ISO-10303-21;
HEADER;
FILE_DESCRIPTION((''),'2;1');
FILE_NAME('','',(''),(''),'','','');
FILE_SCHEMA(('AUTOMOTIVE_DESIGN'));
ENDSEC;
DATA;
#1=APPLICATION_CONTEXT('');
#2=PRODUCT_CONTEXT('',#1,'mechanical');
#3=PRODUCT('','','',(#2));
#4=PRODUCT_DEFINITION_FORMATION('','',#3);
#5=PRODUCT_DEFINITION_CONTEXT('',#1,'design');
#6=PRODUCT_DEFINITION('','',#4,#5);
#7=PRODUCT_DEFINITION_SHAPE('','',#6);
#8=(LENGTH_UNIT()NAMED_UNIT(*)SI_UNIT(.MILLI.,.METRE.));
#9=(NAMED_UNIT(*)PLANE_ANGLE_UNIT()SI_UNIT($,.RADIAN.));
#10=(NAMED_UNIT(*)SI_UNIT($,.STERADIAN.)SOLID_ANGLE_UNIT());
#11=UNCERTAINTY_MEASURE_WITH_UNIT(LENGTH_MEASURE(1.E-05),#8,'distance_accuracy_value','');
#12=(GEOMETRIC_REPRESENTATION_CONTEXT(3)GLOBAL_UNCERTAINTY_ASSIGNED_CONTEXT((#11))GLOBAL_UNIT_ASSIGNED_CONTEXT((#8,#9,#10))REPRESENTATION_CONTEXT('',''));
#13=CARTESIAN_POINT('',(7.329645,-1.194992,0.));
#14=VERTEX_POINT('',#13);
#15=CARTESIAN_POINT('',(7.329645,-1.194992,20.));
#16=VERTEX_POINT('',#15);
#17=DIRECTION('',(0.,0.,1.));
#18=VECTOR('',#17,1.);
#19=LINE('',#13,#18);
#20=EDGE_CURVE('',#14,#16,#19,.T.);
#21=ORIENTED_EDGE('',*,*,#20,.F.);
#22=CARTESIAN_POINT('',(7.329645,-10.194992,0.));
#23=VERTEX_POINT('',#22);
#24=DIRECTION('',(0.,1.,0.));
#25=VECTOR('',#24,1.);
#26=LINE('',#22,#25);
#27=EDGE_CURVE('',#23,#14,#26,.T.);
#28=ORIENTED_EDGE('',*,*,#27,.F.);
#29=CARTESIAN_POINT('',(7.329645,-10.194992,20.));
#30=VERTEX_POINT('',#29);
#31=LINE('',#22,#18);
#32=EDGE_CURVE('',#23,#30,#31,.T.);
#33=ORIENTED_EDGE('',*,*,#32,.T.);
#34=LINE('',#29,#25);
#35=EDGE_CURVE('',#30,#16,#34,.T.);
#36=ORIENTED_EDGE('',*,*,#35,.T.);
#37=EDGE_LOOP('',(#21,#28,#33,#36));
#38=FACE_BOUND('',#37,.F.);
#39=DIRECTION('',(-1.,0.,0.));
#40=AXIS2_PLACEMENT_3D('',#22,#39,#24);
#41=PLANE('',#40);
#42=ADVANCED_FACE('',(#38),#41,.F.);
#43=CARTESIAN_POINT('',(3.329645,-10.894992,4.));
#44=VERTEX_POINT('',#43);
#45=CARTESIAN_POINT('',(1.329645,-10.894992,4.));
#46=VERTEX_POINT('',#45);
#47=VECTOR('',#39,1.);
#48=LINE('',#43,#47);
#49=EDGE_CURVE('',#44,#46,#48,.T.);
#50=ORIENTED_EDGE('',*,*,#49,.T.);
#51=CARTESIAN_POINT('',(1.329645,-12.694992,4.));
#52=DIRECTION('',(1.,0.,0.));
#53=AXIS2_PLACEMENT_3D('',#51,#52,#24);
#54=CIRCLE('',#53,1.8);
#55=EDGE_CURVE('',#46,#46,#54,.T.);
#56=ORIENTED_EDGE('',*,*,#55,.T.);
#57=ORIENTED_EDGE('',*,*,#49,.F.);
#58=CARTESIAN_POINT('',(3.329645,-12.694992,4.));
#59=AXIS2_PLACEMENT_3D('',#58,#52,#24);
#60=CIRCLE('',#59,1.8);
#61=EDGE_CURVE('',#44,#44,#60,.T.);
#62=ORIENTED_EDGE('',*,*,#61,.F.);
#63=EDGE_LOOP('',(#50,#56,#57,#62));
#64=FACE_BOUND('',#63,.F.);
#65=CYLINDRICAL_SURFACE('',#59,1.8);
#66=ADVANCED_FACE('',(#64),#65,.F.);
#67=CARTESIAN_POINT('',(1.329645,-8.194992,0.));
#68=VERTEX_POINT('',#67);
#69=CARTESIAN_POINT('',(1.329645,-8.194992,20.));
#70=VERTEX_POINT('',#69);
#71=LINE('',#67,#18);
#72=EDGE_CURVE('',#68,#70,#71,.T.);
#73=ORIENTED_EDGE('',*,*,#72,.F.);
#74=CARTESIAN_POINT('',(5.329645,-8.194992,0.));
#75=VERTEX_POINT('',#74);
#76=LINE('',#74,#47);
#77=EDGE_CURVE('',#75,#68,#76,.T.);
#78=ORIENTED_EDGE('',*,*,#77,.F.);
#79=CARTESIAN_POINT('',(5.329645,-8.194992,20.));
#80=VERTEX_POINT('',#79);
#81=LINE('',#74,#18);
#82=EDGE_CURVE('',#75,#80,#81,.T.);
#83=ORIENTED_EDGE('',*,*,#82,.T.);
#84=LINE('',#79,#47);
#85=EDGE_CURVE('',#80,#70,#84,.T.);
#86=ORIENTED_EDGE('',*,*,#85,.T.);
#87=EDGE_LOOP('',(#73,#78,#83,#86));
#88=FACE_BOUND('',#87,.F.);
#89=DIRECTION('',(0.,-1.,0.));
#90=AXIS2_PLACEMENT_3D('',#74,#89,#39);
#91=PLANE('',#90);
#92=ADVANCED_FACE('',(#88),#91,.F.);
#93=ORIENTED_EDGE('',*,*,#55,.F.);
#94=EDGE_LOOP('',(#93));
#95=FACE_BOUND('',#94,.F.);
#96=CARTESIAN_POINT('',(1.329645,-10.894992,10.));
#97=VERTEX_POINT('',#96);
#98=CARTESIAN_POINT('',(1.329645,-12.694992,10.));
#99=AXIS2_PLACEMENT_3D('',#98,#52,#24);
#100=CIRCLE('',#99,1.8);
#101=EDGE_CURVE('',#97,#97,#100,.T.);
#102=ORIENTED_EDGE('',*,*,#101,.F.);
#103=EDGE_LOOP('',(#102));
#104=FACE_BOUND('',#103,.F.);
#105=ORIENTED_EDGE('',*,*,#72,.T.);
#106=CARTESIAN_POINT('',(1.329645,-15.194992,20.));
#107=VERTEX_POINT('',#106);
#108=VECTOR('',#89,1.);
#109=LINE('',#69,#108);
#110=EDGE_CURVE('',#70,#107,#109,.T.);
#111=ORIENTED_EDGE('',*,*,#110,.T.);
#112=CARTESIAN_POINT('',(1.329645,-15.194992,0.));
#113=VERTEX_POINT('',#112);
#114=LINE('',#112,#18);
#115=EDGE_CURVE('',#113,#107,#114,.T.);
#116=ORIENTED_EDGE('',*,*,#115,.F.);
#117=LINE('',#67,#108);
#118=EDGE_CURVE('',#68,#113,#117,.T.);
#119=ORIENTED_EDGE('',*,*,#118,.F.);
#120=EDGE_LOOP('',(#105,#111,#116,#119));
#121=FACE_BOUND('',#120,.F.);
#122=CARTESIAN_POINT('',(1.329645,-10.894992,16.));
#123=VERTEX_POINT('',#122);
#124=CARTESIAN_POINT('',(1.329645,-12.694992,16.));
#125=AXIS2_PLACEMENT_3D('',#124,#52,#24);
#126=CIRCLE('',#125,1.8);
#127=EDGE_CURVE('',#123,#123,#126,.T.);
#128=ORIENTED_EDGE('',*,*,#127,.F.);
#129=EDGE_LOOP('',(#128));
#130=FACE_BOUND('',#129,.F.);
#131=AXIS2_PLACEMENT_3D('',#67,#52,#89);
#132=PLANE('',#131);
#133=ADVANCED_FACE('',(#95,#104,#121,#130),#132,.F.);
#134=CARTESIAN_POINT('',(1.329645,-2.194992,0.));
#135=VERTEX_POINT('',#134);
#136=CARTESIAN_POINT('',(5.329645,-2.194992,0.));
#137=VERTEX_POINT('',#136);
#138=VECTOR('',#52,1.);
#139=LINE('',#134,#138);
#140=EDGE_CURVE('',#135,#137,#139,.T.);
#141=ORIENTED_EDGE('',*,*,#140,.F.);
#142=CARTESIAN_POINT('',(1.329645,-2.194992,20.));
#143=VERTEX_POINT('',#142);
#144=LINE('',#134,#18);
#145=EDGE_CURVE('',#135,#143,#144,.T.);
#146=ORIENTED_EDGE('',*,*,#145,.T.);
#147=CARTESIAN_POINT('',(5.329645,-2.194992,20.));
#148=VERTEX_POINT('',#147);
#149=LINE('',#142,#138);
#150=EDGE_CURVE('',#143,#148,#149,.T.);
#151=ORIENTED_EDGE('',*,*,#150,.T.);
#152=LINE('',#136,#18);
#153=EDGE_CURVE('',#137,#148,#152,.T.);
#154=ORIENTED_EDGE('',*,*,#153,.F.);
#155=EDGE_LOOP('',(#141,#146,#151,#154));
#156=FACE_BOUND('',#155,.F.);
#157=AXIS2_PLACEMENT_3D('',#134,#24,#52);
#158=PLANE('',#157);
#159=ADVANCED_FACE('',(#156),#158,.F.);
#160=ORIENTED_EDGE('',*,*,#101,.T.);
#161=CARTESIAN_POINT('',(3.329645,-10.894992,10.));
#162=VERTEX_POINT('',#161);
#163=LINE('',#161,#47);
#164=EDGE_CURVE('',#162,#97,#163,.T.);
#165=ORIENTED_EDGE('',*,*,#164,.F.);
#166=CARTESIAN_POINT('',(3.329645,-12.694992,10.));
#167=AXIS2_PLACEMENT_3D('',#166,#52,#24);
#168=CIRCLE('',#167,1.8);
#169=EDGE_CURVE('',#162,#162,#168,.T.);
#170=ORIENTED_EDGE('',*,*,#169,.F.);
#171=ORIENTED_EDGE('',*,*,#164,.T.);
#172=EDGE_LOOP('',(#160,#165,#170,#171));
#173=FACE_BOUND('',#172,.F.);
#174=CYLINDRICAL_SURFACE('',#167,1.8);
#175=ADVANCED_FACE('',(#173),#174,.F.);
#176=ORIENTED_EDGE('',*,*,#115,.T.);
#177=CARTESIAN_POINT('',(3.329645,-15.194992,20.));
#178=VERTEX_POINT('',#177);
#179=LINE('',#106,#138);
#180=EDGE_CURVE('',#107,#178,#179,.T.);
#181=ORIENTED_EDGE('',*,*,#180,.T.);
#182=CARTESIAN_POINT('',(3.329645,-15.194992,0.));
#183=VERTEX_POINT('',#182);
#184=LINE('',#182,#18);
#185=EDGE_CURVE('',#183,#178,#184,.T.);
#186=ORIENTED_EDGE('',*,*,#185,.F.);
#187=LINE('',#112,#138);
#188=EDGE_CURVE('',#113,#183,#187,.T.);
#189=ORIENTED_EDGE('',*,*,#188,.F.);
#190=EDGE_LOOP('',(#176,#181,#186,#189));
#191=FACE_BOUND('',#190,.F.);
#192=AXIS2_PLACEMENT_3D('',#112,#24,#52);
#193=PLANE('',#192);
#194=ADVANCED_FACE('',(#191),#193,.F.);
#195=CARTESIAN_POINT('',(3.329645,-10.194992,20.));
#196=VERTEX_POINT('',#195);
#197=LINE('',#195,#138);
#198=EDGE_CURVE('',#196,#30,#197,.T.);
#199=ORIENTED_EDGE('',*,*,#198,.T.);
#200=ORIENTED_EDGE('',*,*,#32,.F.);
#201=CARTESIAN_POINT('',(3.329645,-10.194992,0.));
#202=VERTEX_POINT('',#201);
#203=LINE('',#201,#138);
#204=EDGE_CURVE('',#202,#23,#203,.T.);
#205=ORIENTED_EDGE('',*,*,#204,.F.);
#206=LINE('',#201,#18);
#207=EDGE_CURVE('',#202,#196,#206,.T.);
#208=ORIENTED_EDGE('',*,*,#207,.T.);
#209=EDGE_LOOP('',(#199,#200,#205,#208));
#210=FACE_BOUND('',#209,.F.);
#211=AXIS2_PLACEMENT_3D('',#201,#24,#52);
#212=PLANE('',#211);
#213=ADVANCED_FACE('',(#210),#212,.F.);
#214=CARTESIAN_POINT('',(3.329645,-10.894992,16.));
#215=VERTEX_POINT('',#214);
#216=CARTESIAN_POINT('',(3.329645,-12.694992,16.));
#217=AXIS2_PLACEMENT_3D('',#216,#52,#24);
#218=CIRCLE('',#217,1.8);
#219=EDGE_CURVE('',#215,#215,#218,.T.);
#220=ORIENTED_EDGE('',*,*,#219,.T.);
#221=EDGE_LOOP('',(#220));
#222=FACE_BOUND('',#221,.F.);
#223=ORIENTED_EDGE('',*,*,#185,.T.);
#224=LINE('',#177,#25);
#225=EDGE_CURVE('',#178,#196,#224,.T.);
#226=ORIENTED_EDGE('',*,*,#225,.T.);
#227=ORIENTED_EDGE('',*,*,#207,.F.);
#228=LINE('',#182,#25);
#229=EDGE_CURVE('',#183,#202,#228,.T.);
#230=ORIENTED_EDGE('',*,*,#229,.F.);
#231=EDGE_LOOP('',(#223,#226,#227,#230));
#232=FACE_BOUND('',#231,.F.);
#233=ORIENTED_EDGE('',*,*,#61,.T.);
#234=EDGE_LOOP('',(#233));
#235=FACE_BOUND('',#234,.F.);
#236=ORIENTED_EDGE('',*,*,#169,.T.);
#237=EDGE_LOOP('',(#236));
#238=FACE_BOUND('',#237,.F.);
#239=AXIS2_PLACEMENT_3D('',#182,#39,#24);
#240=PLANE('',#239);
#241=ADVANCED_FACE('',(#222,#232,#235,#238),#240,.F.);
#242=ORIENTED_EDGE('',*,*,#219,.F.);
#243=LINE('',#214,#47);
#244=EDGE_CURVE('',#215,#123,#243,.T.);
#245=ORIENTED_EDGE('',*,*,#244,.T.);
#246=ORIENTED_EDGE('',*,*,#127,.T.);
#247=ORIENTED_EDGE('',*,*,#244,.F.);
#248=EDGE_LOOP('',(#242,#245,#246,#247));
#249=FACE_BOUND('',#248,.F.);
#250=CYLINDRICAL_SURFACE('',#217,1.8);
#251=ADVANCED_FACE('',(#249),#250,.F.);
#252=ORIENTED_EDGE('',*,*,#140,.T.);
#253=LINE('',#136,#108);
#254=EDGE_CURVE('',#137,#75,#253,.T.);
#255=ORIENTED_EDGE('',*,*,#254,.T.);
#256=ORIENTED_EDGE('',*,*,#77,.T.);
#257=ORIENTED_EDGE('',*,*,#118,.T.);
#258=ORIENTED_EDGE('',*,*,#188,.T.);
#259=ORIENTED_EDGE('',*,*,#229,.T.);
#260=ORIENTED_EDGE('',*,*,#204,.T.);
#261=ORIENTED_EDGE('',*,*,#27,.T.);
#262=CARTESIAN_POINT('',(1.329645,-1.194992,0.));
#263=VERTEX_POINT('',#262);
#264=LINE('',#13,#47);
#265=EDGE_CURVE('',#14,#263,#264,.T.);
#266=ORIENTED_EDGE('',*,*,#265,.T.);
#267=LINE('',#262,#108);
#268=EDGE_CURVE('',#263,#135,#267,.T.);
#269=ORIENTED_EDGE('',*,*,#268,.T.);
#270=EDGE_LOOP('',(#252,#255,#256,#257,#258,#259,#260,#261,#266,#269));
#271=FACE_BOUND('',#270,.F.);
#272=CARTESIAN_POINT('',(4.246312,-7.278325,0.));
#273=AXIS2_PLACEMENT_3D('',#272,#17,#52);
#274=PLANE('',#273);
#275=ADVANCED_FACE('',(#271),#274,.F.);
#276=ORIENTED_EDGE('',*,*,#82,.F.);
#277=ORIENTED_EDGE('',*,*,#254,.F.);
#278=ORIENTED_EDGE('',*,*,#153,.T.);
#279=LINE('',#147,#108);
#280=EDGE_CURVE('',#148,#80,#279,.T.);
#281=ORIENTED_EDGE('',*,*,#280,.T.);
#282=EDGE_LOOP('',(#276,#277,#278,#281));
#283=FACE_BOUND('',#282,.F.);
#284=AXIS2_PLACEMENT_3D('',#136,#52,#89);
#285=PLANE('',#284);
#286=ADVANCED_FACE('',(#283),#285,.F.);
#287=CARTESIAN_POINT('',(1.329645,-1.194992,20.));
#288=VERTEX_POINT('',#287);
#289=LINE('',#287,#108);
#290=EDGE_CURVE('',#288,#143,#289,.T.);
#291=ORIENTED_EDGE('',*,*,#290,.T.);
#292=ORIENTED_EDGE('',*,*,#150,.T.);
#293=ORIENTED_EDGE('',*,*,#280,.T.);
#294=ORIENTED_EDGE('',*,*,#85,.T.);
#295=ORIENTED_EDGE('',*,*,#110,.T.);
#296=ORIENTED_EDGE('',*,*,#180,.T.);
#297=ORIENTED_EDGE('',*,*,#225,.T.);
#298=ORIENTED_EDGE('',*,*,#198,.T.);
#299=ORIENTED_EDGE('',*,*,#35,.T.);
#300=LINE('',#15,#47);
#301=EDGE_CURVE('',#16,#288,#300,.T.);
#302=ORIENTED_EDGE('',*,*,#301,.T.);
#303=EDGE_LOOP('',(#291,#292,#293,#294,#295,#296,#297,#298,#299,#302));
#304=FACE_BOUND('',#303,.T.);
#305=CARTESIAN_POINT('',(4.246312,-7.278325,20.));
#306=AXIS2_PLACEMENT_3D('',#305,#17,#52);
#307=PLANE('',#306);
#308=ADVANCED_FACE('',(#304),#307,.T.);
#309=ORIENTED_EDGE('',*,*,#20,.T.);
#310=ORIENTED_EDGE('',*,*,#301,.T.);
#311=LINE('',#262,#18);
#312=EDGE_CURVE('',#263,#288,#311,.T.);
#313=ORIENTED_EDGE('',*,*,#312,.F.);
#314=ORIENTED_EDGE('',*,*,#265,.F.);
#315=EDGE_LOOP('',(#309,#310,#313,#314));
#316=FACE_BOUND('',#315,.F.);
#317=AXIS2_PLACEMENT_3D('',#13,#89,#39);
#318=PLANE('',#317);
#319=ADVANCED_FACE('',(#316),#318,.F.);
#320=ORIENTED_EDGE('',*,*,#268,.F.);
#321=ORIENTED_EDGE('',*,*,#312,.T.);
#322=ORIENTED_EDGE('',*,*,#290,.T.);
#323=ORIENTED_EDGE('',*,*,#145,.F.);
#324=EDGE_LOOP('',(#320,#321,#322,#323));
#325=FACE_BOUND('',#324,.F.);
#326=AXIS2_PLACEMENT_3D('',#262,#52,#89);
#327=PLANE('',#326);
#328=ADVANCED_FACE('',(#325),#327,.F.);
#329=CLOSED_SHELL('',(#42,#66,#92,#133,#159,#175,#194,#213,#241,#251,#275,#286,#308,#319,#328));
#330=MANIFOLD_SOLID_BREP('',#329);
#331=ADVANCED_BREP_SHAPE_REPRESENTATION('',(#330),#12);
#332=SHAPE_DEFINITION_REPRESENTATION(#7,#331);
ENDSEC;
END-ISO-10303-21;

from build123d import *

# Parameters (mm, degrees)
F1_DEPTH = 20
F2_R     = 1.8
F3_DEPTH = 25


with BuildPart() as f1:
    # F0 (on Top) → F1 (new body)
    with BuildSketch(Plane.XY):
        Polygon((7.329645, -10.194992), (7.329645, -1.194992), (1.329645, -1.194992), (1.329645, -2.194992), (5.329645, -2.194992), (5.329645, -8.194992), (1.329645, -8.194992), (1.329645, -15.194992), (3.329645, -15.194992), (3.329645, -10.194992), align=None)
    extrude(amount=F1_DEPTH)

    # F2 (on face) → F3 (cut)
    with BuildSketch(Plane.YZ.offset(3.329645)):
        with Locations((-12.694992, 16)):
            Circle(F2_R)
        with Locations((-12.694992, 10)):
            Circle(F2_R)
        with Locations((-12.694992, 4)):
            Circle(F2_R)
    extrude(amount=-F3_DEPTH, mode=Mode.SUBTRACT)


solid = f1.part
